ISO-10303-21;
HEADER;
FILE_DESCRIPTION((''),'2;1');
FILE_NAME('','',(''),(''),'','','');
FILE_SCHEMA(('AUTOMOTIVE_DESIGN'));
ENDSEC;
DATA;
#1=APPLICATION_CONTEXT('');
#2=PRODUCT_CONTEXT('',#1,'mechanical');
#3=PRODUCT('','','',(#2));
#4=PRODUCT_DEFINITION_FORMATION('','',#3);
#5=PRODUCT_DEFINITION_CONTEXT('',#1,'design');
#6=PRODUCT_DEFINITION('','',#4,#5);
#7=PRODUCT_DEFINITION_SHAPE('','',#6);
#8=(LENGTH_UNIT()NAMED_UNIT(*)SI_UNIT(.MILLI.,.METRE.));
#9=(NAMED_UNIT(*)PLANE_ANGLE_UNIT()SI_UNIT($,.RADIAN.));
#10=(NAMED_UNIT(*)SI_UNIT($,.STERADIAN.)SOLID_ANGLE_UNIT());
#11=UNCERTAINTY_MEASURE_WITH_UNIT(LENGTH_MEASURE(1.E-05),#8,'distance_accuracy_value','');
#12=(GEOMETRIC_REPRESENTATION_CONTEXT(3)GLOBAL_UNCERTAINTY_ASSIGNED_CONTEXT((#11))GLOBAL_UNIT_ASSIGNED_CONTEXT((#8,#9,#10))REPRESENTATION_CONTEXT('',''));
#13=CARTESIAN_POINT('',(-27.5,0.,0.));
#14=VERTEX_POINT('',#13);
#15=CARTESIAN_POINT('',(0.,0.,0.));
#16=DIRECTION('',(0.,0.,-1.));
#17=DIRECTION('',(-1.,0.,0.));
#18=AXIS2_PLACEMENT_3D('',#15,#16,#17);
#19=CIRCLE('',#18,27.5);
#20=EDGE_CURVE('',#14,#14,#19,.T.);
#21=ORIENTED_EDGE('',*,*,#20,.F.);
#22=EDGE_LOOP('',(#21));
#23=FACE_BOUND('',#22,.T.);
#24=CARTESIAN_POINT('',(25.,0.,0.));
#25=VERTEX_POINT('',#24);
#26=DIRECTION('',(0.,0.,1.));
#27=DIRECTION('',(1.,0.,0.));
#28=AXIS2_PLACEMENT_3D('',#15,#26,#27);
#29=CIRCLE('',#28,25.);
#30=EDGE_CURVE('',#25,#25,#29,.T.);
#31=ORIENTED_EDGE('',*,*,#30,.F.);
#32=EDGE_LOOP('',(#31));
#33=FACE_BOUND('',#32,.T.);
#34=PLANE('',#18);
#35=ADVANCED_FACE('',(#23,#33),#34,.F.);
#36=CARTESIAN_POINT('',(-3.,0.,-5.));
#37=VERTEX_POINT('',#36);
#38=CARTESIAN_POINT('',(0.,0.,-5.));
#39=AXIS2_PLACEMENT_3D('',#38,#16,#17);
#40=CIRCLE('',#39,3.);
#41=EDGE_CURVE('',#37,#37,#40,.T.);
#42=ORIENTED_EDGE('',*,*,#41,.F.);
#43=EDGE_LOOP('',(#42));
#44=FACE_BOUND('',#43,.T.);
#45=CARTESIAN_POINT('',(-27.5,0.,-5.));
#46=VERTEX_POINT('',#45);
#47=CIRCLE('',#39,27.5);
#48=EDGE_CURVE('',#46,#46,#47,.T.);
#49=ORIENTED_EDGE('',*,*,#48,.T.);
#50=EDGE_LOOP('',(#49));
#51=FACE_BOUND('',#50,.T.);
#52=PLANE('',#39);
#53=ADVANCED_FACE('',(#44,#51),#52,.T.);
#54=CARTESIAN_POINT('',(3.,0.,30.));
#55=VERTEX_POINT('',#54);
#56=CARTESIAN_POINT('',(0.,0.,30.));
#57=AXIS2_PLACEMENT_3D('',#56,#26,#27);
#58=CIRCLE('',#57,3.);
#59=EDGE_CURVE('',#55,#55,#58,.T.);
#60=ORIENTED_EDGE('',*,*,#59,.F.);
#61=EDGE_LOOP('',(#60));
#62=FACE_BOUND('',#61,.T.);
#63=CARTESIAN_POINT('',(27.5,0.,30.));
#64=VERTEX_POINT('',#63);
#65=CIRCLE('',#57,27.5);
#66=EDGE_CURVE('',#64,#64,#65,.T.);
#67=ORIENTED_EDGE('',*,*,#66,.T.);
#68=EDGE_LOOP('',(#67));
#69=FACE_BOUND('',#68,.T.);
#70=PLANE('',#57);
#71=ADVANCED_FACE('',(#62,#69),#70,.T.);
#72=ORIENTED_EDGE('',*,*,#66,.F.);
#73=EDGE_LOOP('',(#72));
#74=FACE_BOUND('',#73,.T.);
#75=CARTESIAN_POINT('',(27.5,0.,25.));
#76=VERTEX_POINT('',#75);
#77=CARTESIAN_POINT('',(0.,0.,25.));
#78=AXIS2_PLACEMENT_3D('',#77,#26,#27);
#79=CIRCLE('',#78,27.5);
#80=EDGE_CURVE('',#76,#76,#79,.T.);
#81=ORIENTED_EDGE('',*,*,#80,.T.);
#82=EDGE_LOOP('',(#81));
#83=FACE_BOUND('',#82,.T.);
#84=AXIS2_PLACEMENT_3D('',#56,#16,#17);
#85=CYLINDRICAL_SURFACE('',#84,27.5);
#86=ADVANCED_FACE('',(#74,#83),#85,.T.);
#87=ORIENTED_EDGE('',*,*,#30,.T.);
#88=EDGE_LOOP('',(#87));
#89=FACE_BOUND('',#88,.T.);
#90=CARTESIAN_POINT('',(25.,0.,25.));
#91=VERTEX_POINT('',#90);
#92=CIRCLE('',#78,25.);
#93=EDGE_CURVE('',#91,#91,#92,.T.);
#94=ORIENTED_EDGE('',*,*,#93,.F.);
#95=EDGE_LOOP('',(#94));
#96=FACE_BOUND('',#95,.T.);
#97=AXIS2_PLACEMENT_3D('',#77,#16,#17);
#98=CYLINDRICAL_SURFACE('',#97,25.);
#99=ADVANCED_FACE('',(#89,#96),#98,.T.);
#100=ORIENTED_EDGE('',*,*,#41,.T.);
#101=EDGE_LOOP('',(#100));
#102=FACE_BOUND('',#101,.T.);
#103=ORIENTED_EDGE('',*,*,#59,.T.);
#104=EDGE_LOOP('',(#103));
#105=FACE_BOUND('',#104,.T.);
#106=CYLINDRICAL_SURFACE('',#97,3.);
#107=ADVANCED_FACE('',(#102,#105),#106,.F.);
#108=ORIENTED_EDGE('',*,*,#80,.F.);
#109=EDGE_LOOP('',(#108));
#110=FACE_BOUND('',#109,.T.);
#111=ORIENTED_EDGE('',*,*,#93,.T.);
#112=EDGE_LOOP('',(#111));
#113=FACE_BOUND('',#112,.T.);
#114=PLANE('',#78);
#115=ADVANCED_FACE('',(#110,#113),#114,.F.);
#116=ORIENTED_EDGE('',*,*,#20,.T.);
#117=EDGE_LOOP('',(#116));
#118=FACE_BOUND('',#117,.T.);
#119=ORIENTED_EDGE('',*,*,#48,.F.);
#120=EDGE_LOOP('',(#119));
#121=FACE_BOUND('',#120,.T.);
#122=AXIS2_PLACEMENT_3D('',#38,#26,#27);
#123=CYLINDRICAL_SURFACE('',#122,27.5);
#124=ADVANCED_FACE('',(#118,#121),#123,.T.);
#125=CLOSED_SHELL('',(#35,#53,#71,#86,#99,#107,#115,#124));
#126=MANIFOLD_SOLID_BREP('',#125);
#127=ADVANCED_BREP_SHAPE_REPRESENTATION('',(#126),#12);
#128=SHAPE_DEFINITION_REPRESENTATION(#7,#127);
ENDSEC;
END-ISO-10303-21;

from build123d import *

# Parameters (mm, degrees)
SKETCH1_R           = 25
SKETCH1_R_2         = 3
BOSS_EXTRUDE1_DEPTH = 25
SKETCH2_R           = 27.5
SKETCH2_R_2         = 3
BOSS_EXTRUDE2_DEPTH = 5
BOSS_EXTRUDE3_START = 5
SKETCH3_R           = 27.5
SKETCH3_R_2         = 3
BOSS_EXTRUDE3_DEPTH = 5


with BuildPart() as part:
    # Sketch1 → Boss-Extrude1 (new body)
    with BuildSketch(Plane.XY):
        Circle(SKETCH1_R)
        Circle(SKETCH1_R_2, mode=Mode.SUBTRACT)
    extrude(amount=BOSS_EXTRUDE1_DEPTH)

    # Sketch2 → Boss-Extrude2 (add)
    with BuildSketch(Plane.XY.offset(25)):
        Circle(SKETCH2_R)
        Circle(SKETCH2_R_2, mode=Mode.SUBTRACT)
    extrude(amount=BOSS_EXTRUDE2_DEPTH)

    # Sketch3 → Boss-Extrude3 (add)
    with BuildSketch(Plane(origin=(0, 0, 0), x_dir=(-1, 0, 0), z_dir=(0, 0, -1)).offset(BOSS_EXTRUDE3_START)):
        with Locations(Location((0, 0, 0), (0, 0, 180))):
            Circle(SKETCH3_R)
        Circle(SKETCH3_R_2, mode=Mode.SUBTRACT)
    extrude(amount=-BOSS_EXTRUDE3_DEPTH)


solid = part.part
